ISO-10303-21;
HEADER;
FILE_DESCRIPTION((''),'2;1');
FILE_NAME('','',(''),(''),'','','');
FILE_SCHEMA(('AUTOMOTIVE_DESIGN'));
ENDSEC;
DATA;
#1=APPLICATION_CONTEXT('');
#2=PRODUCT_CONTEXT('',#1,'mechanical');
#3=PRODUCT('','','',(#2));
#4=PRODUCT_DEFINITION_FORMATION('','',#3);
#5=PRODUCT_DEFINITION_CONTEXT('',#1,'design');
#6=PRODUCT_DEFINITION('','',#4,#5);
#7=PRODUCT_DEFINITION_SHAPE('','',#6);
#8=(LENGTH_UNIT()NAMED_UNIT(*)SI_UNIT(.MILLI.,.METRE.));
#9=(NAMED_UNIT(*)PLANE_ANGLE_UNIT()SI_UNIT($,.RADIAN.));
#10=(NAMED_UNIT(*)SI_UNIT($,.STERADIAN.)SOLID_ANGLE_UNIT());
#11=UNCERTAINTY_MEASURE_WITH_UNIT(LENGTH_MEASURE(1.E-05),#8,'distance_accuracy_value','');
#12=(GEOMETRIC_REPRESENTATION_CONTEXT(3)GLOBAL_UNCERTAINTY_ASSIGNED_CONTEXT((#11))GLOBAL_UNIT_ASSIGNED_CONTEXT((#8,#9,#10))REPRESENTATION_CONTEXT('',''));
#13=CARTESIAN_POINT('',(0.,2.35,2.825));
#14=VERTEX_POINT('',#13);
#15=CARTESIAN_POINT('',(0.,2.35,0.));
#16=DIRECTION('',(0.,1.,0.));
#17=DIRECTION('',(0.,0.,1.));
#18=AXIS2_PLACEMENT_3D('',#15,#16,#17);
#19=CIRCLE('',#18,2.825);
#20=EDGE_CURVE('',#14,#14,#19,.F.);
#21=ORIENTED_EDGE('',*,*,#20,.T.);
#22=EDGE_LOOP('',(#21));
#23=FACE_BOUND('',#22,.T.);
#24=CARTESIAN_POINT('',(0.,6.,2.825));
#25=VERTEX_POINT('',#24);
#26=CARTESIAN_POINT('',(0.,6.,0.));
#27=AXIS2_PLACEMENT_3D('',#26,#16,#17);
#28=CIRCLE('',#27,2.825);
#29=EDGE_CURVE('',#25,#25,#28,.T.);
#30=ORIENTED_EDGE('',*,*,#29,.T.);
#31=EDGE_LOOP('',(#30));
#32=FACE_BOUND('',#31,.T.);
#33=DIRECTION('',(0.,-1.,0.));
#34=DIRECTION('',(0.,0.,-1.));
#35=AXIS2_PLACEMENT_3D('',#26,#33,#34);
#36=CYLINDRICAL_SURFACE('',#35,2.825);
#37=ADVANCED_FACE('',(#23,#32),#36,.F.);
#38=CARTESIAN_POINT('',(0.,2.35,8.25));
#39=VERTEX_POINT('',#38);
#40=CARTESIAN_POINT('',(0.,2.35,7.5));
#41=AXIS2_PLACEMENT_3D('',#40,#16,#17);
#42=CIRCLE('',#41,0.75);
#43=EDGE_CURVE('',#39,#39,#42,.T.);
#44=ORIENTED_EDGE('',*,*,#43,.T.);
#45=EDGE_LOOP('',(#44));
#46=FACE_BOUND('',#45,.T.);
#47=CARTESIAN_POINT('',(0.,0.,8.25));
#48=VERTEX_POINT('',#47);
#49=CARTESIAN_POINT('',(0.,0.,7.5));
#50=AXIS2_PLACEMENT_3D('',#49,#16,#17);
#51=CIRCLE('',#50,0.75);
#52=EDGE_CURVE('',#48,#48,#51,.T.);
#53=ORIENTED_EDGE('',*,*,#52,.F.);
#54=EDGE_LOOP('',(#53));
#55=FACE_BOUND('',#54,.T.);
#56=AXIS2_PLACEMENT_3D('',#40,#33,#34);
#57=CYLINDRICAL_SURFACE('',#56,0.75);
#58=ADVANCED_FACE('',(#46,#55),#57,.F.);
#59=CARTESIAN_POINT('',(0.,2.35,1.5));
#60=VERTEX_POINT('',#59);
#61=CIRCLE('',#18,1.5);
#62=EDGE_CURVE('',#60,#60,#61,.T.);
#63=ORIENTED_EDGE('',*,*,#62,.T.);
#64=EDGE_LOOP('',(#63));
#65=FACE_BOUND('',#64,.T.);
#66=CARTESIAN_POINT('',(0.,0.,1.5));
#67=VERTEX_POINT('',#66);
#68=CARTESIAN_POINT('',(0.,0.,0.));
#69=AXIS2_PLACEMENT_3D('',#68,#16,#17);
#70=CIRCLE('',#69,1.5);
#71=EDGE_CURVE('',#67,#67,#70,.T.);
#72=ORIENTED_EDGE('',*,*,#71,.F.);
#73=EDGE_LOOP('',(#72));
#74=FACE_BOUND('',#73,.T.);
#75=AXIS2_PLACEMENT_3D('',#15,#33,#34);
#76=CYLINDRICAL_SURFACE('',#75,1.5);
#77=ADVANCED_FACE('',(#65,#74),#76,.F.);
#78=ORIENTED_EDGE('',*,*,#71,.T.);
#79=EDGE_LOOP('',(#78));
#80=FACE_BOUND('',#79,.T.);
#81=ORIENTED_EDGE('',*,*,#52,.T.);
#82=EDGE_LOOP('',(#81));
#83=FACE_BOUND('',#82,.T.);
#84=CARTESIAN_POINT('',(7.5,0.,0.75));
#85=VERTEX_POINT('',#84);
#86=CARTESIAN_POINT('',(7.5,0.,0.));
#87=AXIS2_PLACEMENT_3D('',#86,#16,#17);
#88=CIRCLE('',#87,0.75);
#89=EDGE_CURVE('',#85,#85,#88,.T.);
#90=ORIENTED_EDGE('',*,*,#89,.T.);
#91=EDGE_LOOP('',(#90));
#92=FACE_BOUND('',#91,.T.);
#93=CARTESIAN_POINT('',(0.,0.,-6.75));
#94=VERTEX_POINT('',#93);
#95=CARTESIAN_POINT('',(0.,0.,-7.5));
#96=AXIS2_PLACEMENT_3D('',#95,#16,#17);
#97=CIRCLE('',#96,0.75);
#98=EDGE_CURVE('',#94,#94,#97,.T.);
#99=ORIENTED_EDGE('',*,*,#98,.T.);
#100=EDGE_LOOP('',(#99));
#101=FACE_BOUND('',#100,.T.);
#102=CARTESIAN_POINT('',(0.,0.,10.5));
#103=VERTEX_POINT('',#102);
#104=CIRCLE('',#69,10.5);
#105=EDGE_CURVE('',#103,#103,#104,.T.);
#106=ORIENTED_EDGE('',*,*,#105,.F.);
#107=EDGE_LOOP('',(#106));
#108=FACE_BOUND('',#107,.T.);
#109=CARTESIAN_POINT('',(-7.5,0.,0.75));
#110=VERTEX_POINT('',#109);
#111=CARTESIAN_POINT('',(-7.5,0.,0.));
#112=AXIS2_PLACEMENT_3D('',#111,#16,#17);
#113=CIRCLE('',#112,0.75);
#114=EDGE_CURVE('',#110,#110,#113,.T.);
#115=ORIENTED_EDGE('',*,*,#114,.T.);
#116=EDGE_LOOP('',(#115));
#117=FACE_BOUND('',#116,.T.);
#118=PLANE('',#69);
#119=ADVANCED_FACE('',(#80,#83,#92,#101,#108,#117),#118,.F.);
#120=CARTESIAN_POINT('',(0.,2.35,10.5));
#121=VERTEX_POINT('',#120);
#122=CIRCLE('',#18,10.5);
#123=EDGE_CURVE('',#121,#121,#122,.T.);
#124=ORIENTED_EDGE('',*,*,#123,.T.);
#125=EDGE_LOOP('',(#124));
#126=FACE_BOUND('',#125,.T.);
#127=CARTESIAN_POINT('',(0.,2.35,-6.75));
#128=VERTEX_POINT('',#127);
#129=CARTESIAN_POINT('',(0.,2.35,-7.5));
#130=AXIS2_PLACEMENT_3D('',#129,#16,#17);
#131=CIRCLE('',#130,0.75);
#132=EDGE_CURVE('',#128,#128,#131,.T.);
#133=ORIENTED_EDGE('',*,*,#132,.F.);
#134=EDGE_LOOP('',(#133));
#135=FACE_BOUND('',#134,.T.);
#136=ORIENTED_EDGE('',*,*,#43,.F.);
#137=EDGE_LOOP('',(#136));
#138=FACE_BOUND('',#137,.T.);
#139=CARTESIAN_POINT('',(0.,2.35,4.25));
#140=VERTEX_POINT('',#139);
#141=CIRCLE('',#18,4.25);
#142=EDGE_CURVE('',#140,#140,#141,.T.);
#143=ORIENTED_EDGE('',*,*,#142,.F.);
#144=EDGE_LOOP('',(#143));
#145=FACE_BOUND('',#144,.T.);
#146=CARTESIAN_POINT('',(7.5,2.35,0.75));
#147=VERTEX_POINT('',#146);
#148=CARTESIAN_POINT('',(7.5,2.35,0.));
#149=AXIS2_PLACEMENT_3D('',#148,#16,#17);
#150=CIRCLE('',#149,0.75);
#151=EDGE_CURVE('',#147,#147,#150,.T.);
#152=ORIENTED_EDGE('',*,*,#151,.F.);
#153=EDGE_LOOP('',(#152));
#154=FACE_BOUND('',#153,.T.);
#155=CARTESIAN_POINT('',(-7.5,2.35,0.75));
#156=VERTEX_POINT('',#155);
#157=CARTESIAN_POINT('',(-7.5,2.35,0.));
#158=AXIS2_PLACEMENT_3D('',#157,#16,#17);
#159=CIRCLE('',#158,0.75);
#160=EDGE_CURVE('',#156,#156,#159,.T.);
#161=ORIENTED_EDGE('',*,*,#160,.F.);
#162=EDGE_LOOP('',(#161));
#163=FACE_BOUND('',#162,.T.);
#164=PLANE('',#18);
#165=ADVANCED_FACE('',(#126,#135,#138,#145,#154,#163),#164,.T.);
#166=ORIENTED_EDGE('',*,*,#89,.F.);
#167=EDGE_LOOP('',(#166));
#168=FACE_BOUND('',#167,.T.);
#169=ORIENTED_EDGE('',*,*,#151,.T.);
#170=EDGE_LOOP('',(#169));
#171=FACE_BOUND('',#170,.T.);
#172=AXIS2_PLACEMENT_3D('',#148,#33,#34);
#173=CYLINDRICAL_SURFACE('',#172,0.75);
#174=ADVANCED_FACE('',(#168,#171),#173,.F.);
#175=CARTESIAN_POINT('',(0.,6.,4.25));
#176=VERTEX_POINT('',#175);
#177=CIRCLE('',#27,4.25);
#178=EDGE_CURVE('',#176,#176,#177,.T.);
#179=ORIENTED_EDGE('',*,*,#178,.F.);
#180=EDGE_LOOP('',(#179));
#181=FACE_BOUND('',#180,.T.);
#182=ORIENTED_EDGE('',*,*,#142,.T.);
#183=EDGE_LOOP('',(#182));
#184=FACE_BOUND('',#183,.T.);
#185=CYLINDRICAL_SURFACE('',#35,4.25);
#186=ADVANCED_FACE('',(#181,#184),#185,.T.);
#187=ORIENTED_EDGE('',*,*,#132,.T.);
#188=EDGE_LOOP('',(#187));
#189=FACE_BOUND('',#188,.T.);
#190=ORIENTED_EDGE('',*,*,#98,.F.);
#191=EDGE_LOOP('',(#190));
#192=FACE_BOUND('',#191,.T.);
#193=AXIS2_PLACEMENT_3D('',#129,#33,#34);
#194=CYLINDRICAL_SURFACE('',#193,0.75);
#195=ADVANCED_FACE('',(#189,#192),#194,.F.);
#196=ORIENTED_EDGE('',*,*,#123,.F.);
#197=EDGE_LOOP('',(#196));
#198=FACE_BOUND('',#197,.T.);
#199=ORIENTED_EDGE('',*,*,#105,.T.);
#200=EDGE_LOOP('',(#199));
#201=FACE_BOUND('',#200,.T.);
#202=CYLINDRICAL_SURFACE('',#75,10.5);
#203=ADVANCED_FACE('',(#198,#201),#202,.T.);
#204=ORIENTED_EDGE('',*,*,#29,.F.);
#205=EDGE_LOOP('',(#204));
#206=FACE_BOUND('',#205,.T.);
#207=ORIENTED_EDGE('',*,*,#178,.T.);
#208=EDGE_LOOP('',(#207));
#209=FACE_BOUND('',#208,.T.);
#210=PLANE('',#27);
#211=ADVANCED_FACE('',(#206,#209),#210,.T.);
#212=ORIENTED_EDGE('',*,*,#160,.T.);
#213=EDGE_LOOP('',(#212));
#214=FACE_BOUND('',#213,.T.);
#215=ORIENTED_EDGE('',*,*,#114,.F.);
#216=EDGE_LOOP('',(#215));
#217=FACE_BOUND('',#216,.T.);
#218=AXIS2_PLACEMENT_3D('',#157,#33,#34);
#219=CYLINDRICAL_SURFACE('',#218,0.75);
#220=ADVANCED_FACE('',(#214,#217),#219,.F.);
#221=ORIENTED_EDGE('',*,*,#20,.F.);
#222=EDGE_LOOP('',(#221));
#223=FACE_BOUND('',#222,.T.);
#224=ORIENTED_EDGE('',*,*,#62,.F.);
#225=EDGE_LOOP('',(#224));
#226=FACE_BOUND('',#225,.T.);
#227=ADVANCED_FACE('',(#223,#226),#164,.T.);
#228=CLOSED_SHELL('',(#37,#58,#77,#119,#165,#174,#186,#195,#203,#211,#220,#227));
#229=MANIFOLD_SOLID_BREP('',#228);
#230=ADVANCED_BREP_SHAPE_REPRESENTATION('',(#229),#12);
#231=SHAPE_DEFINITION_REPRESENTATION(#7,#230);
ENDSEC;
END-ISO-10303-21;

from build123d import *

# Parameters (mm, degrees)
SKETCH1_R           = 10.5
SKETCH1_R_2         = 0.75
SKETCH1_R_3         = 1.5
BOSS_EXTRUDE1_DEPTH = 2.35
BOSS_EXTRUDE2_START = 2.35
SKETCH1_3_R         = 4.25
SKETCH1_3_R_2       = 2.825
BOSS_EXTRUDE2_DEPTH = 3.65


with BuildPart() as part:
    # Sketch1 → Boss-Extrude1 (new body)
    with BuildSketch(Plane(origin=(0, 0, 0), x_dir=(1, 0, 0), z_dir=(0, 1, 0))):
        Circle(SKETCH1_R)
        with Locations((-7.5, 0)):
            Circle(SKETCH1_R_2, mode=Mode.SUBTRACT)
        with Locations((0, 7.5)):
            Circle(SKETCH1_R_2, mode=Mode.SUBTRACT)
        with Locations((7.5, 0)):
            Circle(SKETCH1_R_2, mode=Mode.SUBTRACT)
        with Locations((0, -7.5)):
            Circle(SKETCH1_R_2, mode=Mode.SUBTRACT)
        Circle(SKETCH1_R_3, mode=Mode.SUBTRACT)
    extrude(amount=BOSS_EXTRUDE1_DEPTH)

    # Sketch1<3> → Boss-Extrude2 (add)
    with BuildSketch(Plane(origin=(0, 0, 0), x_dir=(1, 0, 0), z_dir=(0, 1, 0)).offset(BOSS_EXTRUDE2_START)):
        Circle(SKETCH1_3_R)
        Circle(SKETCH1_3_R_2, mode=Mode.SUBTRACT)
    extrude(amount=BOSS_EXTRUDE2_DEPTH)


solid = part.part
